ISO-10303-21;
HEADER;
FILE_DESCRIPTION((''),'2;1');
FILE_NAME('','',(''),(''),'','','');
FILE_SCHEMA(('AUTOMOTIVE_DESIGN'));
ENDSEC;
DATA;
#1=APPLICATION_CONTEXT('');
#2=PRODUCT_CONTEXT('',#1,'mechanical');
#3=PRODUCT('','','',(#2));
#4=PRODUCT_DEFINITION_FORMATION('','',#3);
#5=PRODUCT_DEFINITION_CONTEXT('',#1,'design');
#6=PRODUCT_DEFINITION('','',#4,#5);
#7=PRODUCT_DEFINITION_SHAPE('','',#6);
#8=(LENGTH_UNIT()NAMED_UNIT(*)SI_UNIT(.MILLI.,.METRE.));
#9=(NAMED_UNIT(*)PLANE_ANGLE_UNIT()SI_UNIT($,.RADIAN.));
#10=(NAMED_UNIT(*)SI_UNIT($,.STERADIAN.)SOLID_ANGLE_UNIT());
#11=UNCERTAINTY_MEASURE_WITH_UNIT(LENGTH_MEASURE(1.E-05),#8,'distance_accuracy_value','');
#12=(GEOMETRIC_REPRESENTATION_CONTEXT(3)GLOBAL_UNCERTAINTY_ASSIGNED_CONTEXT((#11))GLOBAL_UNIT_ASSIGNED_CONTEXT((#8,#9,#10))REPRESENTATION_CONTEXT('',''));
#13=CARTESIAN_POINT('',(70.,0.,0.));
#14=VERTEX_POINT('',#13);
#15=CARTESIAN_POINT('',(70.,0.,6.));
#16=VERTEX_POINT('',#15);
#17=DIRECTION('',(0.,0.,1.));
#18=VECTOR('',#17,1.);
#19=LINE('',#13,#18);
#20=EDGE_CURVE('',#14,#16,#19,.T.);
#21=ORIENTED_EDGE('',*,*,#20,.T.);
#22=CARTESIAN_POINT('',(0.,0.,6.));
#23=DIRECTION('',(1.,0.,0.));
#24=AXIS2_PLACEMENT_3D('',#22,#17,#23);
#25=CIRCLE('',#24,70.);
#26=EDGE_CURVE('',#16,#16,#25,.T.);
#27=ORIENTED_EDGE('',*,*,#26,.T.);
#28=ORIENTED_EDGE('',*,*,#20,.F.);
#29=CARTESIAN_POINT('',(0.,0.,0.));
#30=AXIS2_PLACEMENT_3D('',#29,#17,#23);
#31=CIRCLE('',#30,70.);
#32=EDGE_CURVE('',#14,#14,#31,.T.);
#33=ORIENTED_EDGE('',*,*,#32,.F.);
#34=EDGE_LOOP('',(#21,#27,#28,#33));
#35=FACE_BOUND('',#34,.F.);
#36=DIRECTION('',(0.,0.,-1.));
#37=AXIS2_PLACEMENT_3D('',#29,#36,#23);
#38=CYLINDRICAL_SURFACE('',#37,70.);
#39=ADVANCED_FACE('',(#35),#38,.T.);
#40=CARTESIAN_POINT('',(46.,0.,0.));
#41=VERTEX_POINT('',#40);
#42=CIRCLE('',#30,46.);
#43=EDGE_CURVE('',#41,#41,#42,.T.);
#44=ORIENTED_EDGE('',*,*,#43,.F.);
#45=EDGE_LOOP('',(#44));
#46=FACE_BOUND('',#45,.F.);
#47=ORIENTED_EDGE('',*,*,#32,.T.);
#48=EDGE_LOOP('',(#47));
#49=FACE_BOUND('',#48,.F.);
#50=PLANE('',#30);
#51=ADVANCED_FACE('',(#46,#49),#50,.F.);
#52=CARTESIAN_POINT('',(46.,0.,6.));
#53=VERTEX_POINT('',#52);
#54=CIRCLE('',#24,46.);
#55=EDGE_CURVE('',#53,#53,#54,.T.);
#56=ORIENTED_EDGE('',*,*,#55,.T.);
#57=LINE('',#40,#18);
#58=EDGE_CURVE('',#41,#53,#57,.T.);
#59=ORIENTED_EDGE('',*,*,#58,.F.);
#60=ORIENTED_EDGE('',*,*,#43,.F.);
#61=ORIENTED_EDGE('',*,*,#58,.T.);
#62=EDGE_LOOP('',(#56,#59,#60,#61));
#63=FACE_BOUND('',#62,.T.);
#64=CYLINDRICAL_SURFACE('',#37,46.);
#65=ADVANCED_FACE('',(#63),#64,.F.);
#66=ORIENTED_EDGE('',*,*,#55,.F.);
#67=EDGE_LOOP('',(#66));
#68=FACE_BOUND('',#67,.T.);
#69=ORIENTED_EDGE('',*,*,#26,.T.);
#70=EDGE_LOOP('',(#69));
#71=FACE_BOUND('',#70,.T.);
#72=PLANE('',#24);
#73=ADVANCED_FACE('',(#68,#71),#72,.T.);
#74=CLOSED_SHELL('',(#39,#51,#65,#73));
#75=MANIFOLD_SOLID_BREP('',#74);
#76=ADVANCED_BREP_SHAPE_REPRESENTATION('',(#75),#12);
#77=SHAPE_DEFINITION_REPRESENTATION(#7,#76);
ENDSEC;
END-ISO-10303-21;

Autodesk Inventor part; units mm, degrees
ref_plane "YZ Plane" through (0, 0, 0) normal (1, 0, 0) x (0, 1, 0)
ref_plane "XZ Plane" through (0, 0, 0) normal (0, 1, 0) x (-1, 0, 0)
ref_plane "XY Plane" through (0, 0, 0) normal (0, 0, 1) x (1, 0, 0)
sketch "Sketch2" plane through (0, 0, 0) normal (0, 0, 1) x (1, 0, 0)
  circle A0 centre (0, 0) radius 46
  circle A1 centre (0, 0) radius 70
  dimension "d25" = 92
  dimension "d27" = 140
extrude "Plate2" add sketch "Sketch2" along normal blind 6
equation "\"d14\" = Thickness"
equation "\"BendReliefWidth\" = Thickness"
equation "\"BendReliefDepth\" = 0.5 * Thickness"
equation "\"CornerReliefSize\" = 4 * Thickness"
equation "\"MinimumRemnant\" = 2 * Thickness"
equation "\"TransitionRadius\" = BendRadius"
equation "\"JacobiRadiusSize\" = BendRadius"
equation "\"GapSize\" = Thickness"
equation "\"Thickness\" = 6"
equation "\"BendRadius\" = 6"
properties part number "PRS 1432 FDS free flange DN90_D940" material "Steel"
